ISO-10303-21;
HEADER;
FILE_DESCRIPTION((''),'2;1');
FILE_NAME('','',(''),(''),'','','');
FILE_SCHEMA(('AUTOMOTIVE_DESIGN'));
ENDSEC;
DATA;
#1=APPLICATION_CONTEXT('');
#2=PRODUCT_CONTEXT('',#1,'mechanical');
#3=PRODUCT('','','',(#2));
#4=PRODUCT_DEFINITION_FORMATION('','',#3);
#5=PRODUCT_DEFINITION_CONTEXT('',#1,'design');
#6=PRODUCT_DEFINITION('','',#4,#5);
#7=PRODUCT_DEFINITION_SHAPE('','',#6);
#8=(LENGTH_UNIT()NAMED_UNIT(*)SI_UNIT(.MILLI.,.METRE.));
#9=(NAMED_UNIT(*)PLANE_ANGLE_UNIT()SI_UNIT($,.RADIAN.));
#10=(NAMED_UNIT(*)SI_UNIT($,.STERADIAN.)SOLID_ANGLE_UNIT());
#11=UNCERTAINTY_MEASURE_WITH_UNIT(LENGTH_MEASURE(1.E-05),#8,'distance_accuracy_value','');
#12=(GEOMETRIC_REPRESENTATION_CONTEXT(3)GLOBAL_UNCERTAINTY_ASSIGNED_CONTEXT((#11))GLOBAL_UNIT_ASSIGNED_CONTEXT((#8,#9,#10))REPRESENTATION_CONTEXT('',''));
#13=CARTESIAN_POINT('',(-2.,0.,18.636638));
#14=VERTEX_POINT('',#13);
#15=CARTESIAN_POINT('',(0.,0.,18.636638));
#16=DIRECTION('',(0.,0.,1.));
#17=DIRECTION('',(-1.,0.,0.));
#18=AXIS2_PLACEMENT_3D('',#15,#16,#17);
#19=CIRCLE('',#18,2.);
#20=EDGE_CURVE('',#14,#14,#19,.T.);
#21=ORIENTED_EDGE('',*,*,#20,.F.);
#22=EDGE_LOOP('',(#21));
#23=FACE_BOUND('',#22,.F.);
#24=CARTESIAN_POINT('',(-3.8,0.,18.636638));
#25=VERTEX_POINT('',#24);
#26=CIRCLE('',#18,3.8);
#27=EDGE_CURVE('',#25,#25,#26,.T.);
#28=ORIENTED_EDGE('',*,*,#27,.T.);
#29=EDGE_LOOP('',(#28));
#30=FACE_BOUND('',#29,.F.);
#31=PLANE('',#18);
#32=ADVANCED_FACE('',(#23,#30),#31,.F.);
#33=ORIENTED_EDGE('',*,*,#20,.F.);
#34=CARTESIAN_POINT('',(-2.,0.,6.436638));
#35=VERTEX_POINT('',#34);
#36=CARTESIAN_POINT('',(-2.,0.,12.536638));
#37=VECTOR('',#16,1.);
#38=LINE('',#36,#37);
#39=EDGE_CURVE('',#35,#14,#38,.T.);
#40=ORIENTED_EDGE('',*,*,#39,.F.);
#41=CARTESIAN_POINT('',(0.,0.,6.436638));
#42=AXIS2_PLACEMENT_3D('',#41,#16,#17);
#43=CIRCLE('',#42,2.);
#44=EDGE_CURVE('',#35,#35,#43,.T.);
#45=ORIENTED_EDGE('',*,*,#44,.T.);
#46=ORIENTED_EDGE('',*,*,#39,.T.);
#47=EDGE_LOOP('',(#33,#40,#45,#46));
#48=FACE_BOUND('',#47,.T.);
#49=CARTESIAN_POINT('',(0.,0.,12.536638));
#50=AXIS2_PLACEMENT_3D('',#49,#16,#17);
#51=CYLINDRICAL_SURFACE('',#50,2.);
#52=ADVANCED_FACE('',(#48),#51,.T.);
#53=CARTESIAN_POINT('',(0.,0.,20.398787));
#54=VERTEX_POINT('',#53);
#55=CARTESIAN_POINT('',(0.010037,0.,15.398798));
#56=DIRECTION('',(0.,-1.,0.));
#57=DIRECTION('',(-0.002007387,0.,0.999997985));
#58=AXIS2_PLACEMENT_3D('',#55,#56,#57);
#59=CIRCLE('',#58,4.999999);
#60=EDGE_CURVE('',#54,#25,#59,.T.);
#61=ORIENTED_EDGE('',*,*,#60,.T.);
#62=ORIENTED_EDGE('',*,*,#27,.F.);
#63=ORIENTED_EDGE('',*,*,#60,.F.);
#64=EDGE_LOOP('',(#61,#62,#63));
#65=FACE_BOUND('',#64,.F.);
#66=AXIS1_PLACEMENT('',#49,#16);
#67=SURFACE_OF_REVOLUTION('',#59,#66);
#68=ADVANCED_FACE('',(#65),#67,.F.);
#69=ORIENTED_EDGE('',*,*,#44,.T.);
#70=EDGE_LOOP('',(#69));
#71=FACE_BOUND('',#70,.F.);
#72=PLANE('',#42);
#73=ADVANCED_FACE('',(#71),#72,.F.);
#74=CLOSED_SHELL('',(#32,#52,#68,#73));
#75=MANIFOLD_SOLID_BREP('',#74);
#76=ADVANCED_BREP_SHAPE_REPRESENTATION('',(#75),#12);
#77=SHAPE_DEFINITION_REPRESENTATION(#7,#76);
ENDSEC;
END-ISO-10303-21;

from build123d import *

# Parameters (mm, degrees)
F0_W = 2
F0_H = 12.2


with BuildPart() as f1:
    # F0 (on Front) → F1 (revolve)
    with BuildSketch(Plane.XZ):
        with BuildLine():
            Line((-2, 18.636638), (0, 18.636638))
            Line((0, 18.636638), (0, 20.398787))
            ThreePointArc((0, 20.398787), (-2.09342, 19.934816), (-3.8, 18.636638))
            Line((-3.8, 18.636638), (-2, 18.636638))
        make_face()
        with Locations((-1, 12.536638)):
            Rectangle(F0_W, F0_H)
    revolve(axis=Axis((0, 0, 12.536638), (0, 0, 1)))


solid = f1.part
